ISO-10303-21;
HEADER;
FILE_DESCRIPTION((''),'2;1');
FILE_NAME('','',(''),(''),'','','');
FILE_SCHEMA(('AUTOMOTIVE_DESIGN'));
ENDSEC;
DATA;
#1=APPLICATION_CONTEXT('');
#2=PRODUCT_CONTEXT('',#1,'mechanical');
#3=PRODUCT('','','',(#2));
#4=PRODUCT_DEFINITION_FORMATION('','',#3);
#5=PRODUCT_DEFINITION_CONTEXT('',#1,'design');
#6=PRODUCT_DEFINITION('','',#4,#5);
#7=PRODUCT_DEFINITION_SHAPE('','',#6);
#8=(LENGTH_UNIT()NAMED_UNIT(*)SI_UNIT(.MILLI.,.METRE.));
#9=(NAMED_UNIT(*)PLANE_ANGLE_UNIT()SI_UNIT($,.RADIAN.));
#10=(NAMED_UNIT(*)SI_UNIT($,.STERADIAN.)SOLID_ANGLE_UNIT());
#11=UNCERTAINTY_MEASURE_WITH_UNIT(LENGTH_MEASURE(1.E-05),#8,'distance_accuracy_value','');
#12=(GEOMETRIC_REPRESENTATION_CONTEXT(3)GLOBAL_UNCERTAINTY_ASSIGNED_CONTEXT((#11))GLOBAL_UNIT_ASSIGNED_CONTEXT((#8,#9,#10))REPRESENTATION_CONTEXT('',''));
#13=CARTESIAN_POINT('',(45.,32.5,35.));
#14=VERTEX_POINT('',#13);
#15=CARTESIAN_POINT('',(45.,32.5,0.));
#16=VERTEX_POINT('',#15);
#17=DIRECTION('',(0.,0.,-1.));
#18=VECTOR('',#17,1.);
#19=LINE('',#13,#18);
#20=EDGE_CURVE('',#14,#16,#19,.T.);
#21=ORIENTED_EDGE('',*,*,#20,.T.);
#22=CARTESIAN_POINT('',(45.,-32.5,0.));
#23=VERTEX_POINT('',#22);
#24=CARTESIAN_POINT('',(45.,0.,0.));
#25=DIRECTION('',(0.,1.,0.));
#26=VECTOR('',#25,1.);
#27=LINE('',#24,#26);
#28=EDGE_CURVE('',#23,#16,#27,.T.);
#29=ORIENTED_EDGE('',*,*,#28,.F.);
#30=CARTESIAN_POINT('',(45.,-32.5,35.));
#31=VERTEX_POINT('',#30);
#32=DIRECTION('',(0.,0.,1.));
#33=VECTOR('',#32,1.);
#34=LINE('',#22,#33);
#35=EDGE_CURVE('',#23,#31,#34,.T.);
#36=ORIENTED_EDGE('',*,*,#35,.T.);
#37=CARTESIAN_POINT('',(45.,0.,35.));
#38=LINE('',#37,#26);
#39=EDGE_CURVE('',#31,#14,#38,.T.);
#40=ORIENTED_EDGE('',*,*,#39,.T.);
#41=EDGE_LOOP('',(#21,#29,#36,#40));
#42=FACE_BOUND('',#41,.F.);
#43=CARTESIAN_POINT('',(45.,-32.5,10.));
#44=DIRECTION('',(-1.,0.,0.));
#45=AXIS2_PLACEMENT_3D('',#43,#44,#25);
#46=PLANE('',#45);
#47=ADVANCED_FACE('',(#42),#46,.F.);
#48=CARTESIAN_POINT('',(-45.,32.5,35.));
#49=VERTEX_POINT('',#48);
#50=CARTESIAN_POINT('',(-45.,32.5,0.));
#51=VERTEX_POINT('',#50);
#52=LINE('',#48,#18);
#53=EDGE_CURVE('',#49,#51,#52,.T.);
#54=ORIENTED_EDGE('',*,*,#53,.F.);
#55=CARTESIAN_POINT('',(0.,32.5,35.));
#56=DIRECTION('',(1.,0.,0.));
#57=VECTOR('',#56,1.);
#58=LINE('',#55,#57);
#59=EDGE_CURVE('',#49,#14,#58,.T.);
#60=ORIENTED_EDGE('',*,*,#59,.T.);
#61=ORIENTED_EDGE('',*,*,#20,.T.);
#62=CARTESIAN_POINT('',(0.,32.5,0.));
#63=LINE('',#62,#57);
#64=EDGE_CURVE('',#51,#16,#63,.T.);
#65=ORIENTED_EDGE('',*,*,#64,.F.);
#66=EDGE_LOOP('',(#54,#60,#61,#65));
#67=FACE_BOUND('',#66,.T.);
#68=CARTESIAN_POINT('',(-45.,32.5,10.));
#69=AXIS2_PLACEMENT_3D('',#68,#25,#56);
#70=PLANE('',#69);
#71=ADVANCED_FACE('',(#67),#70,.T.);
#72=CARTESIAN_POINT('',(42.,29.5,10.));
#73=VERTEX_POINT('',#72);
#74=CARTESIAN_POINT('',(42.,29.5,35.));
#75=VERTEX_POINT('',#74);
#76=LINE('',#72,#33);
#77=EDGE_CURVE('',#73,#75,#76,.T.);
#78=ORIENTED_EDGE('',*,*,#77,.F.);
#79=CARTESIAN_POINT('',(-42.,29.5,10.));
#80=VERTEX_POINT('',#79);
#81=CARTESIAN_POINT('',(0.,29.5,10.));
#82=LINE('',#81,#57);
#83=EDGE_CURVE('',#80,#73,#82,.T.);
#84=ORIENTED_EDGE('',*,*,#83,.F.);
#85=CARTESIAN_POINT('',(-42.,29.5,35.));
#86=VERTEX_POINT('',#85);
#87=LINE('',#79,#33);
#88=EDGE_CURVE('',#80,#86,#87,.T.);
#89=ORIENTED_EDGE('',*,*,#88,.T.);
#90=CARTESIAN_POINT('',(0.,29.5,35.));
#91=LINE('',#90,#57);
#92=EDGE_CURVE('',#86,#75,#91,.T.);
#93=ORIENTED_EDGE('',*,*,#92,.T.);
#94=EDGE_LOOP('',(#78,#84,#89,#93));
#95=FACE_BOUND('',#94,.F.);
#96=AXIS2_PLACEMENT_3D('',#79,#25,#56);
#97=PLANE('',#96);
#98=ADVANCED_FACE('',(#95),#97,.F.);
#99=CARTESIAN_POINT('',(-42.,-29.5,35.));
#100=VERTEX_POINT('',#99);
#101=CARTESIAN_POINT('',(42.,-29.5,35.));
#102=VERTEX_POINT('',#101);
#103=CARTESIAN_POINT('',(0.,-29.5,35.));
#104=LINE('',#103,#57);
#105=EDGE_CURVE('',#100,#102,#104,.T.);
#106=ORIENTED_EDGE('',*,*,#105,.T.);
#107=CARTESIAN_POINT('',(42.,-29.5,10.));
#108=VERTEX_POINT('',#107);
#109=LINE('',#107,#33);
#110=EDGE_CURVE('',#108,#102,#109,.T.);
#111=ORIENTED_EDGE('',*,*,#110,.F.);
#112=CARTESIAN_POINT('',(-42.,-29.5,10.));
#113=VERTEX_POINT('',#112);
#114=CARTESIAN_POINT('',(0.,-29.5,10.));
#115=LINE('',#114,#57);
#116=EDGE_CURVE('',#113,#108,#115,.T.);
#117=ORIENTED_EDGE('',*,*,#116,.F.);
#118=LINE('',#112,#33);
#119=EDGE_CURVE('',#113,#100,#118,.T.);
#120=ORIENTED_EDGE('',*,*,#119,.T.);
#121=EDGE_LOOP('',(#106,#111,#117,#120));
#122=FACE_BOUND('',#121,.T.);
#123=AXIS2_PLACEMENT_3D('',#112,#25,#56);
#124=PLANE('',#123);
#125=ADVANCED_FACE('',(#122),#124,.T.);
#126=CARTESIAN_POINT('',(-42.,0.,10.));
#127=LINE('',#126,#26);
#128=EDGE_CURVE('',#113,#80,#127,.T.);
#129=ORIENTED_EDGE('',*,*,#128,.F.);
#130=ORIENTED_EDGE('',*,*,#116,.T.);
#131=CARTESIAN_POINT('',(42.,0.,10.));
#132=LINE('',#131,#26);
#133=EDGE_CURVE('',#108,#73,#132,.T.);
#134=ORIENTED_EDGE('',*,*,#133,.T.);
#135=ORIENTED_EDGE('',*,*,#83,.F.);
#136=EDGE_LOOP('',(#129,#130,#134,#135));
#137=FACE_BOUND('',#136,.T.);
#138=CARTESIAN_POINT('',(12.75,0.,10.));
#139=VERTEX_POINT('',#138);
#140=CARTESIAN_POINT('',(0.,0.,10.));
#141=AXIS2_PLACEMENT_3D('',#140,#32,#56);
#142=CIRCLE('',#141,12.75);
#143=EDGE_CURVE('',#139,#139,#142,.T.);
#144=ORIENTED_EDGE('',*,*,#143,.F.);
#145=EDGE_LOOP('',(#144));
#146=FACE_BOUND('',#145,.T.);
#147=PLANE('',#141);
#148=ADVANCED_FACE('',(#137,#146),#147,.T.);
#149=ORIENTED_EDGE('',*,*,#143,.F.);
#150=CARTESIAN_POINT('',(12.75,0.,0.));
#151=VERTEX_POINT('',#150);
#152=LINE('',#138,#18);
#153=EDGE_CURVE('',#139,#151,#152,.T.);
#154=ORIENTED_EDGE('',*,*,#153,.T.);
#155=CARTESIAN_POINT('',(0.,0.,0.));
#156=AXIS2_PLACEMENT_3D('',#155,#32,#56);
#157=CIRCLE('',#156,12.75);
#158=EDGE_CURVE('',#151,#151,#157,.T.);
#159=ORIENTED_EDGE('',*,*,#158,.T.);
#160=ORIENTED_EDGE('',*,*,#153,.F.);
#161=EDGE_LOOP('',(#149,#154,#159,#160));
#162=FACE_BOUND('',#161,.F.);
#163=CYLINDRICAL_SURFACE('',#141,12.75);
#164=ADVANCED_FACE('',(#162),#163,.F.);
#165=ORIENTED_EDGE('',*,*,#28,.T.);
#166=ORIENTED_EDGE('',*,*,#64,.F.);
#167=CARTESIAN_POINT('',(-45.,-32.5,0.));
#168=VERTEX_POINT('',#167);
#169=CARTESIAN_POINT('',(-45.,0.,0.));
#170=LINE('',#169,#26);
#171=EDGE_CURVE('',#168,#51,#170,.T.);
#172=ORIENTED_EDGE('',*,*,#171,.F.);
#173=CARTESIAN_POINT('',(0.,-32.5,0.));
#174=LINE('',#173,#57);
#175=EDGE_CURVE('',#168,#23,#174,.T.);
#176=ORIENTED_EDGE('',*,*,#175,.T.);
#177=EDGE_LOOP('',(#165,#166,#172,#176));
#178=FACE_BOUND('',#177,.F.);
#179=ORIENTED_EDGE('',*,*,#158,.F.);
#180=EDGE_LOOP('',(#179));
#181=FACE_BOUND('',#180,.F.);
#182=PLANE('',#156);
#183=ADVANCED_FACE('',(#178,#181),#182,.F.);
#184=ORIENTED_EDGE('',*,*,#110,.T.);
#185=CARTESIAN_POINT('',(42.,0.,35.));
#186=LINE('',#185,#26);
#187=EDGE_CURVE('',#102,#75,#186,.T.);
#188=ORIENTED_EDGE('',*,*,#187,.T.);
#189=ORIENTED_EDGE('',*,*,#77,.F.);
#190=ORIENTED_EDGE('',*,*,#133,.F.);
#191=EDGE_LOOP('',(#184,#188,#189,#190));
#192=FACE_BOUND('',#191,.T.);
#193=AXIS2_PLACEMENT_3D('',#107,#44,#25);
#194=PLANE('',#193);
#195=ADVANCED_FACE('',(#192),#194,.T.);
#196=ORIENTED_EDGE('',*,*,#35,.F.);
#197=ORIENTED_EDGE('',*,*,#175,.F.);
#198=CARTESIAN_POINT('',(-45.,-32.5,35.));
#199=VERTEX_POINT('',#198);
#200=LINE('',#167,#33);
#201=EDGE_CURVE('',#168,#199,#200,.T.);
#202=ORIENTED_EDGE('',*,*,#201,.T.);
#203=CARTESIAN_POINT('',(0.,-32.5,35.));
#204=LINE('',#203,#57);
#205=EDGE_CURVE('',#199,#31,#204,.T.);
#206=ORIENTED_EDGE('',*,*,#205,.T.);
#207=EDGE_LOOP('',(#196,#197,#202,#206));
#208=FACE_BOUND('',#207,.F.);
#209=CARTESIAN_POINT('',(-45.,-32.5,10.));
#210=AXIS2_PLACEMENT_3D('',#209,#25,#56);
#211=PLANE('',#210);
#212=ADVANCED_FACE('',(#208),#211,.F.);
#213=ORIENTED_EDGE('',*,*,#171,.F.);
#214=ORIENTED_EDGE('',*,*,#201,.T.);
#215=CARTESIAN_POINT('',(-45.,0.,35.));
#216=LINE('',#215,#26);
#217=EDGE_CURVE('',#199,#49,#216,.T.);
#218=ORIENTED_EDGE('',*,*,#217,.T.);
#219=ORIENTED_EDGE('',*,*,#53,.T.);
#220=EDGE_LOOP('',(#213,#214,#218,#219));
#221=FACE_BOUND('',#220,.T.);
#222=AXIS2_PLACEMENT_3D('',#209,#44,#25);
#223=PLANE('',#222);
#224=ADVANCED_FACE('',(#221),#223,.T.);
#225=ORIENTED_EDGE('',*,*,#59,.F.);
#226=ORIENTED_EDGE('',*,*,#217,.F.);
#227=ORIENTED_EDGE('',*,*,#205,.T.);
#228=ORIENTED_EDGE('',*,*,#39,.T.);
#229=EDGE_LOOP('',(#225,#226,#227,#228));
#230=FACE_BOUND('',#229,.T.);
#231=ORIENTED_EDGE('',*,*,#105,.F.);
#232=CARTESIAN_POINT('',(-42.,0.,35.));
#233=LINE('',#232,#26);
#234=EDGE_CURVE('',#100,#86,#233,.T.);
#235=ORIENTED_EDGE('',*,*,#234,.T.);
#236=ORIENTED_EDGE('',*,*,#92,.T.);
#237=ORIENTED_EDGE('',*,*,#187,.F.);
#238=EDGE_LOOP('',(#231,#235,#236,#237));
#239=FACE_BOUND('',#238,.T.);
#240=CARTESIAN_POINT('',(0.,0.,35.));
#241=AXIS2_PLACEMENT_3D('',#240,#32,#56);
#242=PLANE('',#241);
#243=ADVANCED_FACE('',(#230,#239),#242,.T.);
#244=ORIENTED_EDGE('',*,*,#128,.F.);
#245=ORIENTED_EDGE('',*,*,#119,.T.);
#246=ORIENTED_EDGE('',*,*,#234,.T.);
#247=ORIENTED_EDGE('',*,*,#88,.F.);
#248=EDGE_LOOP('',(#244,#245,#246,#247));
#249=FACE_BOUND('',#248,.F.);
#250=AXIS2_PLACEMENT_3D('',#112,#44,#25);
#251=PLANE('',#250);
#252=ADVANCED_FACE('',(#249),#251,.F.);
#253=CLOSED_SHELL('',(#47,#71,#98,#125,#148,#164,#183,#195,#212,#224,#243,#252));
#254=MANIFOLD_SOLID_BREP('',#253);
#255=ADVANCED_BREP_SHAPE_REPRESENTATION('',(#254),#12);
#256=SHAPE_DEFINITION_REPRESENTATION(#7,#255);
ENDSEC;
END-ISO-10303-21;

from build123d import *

# Parameters (mm, degrees)
F0_W     = 90
F0_H     = 65
F1_DEPTH = 10
F2_R     = 12.75
F3_DEPTH = 10
F4_W     = 90
F4_H     = 65
F4_W_2   = 84
F4_H_2   = 59
F5_DEPTH = 25


with BuildPart() as f1:
    # F0 (on Top) → F1 (new body)
    with BuildSketch(Plane.XY):
        Rectangle(F0_W, F0_H)
    extrude(amount=F1_DEPTH)

    # F2 (on face) → F3 (cut)
    with BuildSketch(Plane.XY.offset(10)):
        Circle(F2_R)
    extrude(amount=-F3_DEPTH, mode=Mode.SUBTRACT)

    # F4 (on face) → F5 (join)
    with BuildSketch(Plane.XY.offset(10)):
        Rectangle(F4_W, F4_H)
        Rectangle(F4_W_2, F4_H_2, mode=Mode.SUBTRACT)
    extrude(amount=F5_DEPTH)


solid = f1.part
